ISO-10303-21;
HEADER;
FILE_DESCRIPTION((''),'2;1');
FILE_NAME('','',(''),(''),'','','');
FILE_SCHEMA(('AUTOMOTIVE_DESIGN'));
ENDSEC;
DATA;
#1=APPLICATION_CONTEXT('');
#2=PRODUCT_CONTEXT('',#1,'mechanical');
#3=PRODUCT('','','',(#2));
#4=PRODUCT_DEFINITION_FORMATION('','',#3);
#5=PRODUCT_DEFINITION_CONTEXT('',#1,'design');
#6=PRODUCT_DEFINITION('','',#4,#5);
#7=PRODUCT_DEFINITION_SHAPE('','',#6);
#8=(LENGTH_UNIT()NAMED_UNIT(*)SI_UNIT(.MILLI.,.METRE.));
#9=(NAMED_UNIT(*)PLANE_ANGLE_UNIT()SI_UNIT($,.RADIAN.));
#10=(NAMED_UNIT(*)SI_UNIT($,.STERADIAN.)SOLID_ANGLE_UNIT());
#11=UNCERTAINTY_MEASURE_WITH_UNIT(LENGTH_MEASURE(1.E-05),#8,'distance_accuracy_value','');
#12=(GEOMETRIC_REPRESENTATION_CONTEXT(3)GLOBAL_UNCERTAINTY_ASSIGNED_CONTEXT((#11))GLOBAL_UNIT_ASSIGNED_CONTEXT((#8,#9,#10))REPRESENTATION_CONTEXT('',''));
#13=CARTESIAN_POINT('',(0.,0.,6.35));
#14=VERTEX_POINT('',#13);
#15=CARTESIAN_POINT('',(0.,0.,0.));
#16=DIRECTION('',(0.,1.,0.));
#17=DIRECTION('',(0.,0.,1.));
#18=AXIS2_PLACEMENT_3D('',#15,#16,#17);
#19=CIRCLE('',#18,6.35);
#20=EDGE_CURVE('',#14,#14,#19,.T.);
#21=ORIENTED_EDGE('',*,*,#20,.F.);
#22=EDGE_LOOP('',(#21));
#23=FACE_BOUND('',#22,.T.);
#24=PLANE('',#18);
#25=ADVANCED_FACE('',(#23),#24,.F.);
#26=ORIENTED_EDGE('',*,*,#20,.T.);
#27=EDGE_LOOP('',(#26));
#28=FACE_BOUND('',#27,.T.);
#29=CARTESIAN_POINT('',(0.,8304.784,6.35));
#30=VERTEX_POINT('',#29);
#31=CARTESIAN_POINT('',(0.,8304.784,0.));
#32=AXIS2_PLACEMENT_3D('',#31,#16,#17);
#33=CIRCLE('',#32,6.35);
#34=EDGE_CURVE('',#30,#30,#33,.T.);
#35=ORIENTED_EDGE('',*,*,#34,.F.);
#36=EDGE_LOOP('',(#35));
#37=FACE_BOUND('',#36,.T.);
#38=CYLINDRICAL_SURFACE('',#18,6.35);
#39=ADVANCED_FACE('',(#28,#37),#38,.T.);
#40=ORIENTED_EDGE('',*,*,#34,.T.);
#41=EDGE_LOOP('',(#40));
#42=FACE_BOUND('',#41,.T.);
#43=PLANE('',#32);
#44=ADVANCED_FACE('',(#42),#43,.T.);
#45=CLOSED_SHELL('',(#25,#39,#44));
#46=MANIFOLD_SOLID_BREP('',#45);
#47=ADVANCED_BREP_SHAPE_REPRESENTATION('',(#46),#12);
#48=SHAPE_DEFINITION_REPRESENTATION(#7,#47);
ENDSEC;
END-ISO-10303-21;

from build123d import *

# Parameters (mm, degrees)
SWEEP1_PROFILE_R = 6.35


with BuildPart() as part:
    # Sweep1: sweep along a path in Sketch1
    with BuildLine(Plane.XY) as sweep1_path:
        Line((0, 0), (0, 8304.784))
    # Sweep1 profile (on start of the path) → Sweep1 (sweep)
    with BuildSketch(Plane.ZX):
        Circle(SWEEP1_PROFILE_R)
    sweep(path=sweep1_path.line)


solid = part.part
